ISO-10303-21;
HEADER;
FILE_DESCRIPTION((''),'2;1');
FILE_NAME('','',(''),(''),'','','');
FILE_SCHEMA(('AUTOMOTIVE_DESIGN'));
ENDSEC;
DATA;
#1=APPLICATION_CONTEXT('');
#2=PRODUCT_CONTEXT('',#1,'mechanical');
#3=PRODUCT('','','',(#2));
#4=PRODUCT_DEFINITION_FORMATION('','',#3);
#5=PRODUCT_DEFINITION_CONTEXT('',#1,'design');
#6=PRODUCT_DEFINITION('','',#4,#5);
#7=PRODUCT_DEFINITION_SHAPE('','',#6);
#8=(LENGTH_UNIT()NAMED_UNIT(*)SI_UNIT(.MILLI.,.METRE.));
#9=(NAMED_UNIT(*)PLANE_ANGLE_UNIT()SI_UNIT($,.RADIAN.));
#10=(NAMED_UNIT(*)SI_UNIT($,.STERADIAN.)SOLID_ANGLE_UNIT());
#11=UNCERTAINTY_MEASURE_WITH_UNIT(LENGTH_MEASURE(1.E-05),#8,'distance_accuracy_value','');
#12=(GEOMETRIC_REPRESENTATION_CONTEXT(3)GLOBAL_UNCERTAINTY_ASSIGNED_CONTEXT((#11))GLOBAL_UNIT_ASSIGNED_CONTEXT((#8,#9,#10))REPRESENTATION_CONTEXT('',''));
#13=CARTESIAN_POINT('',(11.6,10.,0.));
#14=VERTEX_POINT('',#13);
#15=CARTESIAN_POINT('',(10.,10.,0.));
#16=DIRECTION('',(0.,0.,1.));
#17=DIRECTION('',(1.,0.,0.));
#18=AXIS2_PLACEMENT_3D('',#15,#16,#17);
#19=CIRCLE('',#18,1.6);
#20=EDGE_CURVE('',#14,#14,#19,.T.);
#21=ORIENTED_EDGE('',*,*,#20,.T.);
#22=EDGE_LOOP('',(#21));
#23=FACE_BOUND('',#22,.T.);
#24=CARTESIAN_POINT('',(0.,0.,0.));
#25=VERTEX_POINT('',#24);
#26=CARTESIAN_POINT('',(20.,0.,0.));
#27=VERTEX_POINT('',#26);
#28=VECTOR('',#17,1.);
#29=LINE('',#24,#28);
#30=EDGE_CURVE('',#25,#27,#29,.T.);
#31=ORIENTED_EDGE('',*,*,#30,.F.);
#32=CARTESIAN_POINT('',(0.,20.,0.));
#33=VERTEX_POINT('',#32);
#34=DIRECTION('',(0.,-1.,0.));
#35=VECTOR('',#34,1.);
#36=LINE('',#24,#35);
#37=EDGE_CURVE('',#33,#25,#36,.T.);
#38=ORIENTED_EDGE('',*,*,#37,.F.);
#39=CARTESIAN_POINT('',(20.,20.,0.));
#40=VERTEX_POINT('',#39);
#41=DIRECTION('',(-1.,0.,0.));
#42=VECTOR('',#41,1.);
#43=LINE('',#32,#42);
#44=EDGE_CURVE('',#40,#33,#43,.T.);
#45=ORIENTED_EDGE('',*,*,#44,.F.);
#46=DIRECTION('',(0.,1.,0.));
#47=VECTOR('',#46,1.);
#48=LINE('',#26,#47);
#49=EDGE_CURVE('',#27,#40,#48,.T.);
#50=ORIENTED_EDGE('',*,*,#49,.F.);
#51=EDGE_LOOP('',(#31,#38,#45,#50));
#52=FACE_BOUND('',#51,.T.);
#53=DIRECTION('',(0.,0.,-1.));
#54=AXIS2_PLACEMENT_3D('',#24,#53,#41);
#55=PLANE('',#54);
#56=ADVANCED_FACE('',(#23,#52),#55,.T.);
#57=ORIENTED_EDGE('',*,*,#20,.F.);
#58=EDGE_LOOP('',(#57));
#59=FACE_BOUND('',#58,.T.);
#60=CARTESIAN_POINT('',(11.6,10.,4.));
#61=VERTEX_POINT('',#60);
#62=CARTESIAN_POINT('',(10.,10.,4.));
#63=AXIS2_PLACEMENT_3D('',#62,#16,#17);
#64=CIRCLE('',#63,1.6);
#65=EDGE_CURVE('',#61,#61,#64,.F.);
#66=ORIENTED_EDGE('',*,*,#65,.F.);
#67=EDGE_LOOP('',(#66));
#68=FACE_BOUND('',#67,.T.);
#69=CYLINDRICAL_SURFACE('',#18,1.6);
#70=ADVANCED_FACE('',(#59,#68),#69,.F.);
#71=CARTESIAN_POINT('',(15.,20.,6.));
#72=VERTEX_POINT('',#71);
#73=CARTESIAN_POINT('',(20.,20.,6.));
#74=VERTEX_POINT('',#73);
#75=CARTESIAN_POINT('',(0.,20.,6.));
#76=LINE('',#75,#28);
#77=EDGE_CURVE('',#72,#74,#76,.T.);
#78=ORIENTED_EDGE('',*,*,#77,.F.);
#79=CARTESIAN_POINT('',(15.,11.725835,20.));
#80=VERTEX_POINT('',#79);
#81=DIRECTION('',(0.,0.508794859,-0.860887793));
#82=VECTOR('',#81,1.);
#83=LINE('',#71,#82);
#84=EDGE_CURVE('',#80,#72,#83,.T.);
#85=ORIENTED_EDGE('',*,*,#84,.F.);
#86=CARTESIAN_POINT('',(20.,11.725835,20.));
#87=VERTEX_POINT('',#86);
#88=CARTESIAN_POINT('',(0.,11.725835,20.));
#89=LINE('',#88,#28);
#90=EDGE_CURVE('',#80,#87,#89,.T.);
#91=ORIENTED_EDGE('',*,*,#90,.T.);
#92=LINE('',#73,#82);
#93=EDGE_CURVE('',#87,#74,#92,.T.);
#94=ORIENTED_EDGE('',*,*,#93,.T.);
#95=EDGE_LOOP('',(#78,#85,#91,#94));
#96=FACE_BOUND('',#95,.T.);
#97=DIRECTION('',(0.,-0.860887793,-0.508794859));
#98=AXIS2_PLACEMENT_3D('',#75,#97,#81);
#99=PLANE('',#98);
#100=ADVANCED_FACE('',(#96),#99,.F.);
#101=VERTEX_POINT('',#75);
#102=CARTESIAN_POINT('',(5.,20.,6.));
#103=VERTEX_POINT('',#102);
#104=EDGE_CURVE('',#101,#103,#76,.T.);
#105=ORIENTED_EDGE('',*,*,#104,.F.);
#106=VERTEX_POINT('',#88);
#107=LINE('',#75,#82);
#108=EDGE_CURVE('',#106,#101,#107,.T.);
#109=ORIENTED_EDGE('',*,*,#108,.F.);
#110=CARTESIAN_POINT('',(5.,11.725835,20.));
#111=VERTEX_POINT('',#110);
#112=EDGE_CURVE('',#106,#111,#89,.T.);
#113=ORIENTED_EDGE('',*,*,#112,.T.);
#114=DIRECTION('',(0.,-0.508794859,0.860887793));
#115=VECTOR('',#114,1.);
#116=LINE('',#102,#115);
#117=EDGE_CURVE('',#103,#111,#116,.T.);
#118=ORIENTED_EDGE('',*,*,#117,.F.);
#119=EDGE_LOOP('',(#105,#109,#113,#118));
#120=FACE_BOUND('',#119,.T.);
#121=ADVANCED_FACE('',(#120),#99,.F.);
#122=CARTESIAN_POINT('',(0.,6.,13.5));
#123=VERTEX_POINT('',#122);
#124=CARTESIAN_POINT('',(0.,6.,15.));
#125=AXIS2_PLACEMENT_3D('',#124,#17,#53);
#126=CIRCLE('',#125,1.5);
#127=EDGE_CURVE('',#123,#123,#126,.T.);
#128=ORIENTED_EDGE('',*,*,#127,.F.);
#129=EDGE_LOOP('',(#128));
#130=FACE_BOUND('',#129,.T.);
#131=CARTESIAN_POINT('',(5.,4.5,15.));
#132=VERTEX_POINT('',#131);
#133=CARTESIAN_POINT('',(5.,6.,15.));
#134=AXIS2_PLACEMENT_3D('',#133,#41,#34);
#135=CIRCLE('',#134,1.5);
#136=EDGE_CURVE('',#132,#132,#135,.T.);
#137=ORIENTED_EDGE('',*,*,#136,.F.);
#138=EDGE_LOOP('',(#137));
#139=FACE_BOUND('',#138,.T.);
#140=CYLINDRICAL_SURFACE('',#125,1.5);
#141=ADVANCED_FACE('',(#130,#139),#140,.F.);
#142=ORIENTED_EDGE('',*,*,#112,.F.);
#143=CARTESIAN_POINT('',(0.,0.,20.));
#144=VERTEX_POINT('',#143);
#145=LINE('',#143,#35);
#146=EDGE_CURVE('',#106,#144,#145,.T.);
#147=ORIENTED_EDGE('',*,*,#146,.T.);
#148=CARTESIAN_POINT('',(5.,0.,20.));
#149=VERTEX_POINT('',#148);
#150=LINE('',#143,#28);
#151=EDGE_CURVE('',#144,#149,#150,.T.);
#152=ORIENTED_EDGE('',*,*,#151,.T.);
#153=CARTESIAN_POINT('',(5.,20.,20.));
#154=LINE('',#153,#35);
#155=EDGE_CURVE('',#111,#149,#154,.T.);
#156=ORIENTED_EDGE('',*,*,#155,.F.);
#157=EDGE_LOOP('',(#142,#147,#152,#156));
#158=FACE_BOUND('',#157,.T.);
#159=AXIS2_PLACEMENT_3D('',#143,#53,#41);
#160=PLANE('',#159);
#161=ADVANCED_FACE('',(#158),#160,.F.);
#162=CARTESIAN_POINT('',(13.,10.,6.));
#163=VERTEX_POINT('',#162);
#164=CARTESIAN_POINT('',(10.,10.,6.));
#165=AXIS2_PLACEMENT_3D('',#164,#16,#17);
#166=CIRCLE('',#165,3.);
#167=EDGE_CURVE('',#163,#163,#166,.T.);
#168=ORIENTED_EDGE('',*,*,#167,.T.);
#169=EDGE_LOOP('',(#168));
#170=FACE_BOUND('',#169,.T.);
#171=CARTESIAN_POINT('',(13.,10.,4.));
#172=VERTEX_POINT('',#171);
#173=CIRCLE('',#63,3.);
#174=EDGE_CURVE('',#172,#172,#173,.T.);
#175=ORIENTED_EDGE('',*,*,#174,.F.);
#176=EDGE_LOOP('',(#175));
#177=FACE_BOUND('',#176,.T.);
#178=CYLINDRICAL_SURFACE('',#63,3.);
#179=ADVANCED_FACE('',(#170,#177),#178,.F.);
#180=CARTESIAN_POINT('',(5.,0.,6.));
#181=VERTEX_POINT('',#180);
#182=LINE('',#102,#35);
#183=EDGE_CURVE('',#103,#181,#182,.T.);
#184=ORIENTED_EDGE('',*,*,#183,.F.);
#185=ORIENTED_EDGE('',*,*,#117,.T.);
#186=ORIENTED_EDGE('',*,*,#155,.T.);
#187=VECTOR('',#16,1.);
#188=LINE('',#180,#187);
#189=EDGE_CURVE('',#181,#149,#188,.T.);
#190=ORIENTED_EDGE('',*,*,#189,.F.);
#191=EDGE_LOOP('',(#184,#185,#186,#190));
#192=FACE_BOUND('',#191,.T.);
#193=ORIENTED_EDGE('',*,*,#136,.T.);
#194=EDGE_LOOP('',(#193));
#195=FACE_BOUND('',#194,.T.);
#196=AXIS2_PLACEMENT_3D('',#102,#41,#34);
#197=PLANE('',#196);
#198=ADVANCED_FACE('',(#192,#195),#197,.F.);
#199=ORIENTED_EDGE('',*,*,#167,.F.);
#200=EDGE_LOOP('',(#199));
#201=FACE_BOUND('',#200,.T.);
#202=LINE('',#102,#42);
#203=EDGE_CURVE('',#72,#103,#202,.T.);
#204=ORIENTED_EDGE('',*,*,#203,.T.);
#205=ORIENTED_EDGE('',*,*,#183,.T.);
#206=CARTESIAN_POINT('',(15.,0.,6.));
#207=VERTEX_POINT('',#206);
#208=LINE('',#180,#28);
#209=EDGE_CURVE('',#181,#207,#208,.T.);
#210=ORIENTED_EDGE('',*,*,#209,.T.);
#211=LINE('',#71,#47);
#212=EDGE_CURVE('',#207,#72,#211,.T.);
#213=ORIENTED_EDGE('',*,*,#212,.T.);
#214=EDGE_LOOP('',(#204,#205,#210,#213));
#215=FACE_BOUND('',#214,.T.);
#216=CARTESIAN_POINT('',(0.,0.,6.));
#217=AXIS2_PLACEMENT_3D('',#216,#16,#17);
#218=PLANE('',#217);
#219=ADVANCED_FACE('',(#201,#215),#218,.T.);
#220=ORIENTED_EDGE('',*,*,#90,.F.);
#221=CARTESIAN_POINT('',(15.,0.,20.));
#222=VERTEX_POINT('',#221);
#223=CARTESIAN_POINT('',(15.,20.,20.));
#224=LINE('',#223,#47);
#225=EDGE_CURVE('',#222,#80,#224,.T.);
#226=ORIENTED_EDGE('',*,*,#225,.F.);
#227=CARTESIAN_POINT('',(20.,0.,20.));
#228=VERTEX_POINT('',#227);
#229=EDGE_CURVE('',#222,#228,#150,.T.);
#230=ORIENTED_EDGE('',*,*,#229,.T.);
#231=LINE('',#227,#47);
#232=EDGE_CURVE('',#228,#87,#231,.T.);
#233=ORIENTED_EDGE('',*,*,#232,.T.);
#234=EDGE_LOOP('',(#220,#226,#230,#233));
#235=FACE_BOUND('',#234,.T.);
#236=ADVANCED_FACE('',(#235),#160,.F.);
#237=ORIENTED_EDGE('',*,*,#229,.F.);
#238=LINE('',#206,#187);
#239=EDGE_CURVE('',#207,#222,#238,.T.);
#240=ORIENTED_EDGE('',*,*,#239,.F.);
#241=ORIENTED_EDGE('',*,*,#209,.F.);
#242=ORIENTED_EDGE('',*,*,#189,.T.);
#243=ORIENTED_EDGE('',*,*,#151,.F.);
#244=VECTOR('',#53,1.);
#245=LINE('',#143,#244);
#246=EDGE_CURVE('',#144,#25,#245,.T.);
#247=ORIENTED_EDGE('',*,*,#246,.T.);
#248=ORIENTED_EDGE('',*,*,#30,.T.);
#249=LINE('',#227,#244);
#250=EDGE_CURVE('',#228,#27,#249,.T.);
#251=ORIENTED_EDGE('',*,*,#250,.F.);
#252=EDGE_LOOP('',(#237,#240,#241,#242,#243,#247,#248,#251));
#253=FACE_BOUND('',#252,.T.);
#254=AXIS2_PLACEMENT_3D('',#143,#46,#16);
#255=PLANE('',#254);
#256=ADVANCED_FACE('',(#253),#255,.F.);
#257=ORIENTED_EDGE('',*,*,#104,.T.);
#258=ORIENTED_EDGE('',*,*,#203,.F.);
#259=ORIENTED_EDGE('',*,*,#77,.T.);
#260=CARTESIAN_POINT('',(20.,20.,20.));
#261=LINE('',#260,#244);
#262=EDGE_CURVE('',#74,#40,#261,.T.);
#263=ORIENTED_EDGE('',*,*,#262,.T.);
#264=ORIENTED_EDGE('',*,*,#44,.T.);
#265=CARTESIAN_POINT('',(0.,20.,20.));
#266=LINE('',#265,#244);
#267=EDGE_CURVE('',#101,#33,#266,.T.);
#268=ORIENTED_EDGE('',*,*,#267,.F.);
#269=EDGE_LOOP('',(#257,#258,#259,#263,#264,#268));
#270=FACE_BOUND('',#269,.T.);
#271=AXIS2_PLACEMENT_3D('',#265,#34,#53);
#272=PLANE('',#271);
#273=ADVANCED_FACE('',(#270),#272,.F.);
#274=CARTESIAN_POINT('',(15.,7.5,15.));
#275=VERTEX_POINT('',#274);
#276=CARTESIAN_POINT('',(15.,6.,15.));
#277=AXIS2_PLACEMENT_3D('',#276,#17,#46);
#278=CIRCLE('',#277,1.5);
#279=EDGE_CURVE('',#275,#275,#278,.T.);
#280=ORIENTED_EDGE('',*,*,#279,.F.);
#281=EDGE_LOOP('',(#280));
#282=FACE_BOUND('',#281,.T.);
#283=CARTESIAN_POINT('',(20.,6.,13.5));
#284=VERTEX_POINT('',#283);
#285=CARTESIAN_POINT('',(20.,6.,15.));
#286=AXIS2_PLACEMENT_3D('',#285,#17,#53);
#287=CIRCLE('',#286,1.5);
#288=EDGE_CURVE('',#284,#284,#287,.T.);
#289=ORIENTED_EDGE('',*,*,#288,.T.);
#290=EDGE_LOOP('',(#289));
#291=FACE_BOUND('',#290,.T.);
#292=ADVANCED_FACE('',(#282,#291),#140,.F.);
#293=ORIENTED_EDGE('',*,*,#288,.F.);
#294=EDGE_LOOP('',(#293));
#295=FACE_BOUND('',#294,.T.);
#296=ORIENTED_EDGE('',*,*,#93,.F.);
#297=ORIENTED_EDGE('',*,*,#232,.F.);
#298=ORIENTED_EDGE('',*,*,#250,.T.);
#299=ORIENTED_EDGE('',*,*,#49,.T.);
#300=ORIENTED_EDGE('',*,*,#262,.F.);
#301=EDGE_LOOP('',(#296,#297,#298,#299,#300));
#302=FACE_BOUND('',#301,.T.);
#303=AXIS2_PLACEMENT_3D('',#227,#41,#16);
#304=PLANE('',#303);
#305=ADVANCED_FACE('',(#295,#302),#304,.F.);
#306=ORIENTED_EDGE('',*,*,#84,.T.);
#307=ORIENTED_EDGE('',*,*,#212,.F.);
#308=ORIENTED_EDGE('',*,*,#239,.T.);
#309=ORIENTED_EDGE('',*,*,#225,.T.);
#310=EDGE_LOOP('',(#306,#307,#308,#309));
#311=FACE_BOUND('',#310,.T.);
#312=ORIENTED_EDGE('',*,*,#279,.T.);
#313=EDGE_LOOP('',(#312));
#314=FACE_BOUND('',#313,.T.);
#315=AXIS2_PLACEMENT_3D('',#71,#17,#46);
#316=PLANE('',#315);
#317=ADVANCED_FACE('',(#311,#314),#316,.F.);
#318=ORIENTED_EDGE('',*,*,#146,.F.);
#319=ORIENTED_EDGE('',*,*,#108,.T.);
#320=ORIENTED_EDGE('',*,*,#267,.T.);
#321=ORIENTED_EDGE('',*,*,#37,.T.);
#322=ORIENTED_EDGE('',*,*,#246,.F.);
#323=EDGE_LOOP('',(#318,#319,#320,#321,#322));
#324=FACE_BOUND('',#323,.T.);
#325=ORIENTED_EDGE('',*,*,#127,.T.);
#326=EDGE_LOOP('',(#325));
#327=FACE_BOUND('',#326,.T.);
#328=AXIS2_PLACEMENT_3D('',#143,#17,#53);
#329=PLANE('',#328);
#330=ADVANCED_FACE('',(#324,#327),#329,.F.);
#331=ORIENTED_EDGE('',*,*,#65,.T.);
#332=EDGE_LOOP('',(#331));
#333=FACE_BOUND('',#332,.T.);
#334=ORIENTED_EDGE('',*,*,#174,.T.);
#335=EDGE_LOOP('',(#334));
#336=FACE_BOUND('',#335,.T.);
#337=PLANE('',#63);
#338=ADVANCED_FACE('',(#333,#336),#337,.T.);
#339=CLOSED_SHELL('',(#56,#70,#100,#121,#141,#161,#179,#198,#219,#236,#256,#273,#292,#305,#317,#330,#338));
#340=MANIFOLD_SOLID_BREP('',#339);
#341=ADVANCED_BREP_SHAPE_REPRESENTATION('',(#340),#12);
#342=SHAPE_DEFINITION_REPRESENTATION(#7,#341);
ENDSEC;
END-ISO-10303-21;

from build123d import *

# Parameters (mm, degrees)
SKETCH_1_W          = 20
SKETCH_1_H          = 20
EXTRUDE_1_DEPTH     = 20
SKETCH_2_W          = 10
SKETCH_2_H          = 20
CUT_EXTRUDE_1_DEPTH = 14
SKETCH_3_R          = 1.6
CUT_EXTRUDE_2_DEPTH = 32.559467676
SKETCH_5_R          = 3
CUT_EXTRUDE_3_DEPTH = 2
SKETCH_6_R          = 1.5
CUT_EXTRUDE_4_DEPTH = 35.641016151


with BuildPart() as part:
    # 草图1 → 凸台-拉伸1 (new body)
    with BuildSketch(Plane.XY):
        with Locations((10, 10)):
            Rectangle(SKETCH_1_W, SKETCH_1_H)
    extrude(amount=EXTRUDE_1_DEPTH)

    # 草图2 → 切除-拉伸1 (cut)
    with BuildSketch(Plane.XY.offset(20)):
        with Locations((10, 10)):
            Rectangle(SKETCH_2_W, SKETCH_2_H)
    extrude(amount=-CUT_EXTRUDE_1_DEPTH, mode=Mode.SUBTRACT)

    # 草图3 → 切除-拉伸2 (cut, through all)
    with BuildSketch(Plane.XY.offset(6)):
        with Locations((10, 10)):
            Circle(SKETCH_3_R)
    extrude(amount=-CUT_EXTRUDE_2_DEPTH, mode=Mode.SUBTRACT)

    # 草图5 → 切除-拉伸3 (cut)
    with BuildSketch(Plane.XY.offset(6)):
        with Locations((10, 10)):
            Circle(SKETCH_5_R)
    extrude(amount=-CUT_EXTRUDE_3_DEPTH, mode=Mode.SUBTRACT)

    # 草图6 → 切除-拉伸4 (cut, through all)
    with BuildSketch(Plane(origin=(20, 0, 0), x_dir=(0, 0, -1), z_dir=(1, 0, 0))):
        with Locations((-15, 6)):
            Circle(SKETCH_6_R)
        Polygon((-20, 20), (-6, 20), (-20, 11.725834551), align=None)
    extrude(amount=-CUT_EXTRUDE_4_DEPTH, mode=Mode.SUBTRACT)


solid = part.part
